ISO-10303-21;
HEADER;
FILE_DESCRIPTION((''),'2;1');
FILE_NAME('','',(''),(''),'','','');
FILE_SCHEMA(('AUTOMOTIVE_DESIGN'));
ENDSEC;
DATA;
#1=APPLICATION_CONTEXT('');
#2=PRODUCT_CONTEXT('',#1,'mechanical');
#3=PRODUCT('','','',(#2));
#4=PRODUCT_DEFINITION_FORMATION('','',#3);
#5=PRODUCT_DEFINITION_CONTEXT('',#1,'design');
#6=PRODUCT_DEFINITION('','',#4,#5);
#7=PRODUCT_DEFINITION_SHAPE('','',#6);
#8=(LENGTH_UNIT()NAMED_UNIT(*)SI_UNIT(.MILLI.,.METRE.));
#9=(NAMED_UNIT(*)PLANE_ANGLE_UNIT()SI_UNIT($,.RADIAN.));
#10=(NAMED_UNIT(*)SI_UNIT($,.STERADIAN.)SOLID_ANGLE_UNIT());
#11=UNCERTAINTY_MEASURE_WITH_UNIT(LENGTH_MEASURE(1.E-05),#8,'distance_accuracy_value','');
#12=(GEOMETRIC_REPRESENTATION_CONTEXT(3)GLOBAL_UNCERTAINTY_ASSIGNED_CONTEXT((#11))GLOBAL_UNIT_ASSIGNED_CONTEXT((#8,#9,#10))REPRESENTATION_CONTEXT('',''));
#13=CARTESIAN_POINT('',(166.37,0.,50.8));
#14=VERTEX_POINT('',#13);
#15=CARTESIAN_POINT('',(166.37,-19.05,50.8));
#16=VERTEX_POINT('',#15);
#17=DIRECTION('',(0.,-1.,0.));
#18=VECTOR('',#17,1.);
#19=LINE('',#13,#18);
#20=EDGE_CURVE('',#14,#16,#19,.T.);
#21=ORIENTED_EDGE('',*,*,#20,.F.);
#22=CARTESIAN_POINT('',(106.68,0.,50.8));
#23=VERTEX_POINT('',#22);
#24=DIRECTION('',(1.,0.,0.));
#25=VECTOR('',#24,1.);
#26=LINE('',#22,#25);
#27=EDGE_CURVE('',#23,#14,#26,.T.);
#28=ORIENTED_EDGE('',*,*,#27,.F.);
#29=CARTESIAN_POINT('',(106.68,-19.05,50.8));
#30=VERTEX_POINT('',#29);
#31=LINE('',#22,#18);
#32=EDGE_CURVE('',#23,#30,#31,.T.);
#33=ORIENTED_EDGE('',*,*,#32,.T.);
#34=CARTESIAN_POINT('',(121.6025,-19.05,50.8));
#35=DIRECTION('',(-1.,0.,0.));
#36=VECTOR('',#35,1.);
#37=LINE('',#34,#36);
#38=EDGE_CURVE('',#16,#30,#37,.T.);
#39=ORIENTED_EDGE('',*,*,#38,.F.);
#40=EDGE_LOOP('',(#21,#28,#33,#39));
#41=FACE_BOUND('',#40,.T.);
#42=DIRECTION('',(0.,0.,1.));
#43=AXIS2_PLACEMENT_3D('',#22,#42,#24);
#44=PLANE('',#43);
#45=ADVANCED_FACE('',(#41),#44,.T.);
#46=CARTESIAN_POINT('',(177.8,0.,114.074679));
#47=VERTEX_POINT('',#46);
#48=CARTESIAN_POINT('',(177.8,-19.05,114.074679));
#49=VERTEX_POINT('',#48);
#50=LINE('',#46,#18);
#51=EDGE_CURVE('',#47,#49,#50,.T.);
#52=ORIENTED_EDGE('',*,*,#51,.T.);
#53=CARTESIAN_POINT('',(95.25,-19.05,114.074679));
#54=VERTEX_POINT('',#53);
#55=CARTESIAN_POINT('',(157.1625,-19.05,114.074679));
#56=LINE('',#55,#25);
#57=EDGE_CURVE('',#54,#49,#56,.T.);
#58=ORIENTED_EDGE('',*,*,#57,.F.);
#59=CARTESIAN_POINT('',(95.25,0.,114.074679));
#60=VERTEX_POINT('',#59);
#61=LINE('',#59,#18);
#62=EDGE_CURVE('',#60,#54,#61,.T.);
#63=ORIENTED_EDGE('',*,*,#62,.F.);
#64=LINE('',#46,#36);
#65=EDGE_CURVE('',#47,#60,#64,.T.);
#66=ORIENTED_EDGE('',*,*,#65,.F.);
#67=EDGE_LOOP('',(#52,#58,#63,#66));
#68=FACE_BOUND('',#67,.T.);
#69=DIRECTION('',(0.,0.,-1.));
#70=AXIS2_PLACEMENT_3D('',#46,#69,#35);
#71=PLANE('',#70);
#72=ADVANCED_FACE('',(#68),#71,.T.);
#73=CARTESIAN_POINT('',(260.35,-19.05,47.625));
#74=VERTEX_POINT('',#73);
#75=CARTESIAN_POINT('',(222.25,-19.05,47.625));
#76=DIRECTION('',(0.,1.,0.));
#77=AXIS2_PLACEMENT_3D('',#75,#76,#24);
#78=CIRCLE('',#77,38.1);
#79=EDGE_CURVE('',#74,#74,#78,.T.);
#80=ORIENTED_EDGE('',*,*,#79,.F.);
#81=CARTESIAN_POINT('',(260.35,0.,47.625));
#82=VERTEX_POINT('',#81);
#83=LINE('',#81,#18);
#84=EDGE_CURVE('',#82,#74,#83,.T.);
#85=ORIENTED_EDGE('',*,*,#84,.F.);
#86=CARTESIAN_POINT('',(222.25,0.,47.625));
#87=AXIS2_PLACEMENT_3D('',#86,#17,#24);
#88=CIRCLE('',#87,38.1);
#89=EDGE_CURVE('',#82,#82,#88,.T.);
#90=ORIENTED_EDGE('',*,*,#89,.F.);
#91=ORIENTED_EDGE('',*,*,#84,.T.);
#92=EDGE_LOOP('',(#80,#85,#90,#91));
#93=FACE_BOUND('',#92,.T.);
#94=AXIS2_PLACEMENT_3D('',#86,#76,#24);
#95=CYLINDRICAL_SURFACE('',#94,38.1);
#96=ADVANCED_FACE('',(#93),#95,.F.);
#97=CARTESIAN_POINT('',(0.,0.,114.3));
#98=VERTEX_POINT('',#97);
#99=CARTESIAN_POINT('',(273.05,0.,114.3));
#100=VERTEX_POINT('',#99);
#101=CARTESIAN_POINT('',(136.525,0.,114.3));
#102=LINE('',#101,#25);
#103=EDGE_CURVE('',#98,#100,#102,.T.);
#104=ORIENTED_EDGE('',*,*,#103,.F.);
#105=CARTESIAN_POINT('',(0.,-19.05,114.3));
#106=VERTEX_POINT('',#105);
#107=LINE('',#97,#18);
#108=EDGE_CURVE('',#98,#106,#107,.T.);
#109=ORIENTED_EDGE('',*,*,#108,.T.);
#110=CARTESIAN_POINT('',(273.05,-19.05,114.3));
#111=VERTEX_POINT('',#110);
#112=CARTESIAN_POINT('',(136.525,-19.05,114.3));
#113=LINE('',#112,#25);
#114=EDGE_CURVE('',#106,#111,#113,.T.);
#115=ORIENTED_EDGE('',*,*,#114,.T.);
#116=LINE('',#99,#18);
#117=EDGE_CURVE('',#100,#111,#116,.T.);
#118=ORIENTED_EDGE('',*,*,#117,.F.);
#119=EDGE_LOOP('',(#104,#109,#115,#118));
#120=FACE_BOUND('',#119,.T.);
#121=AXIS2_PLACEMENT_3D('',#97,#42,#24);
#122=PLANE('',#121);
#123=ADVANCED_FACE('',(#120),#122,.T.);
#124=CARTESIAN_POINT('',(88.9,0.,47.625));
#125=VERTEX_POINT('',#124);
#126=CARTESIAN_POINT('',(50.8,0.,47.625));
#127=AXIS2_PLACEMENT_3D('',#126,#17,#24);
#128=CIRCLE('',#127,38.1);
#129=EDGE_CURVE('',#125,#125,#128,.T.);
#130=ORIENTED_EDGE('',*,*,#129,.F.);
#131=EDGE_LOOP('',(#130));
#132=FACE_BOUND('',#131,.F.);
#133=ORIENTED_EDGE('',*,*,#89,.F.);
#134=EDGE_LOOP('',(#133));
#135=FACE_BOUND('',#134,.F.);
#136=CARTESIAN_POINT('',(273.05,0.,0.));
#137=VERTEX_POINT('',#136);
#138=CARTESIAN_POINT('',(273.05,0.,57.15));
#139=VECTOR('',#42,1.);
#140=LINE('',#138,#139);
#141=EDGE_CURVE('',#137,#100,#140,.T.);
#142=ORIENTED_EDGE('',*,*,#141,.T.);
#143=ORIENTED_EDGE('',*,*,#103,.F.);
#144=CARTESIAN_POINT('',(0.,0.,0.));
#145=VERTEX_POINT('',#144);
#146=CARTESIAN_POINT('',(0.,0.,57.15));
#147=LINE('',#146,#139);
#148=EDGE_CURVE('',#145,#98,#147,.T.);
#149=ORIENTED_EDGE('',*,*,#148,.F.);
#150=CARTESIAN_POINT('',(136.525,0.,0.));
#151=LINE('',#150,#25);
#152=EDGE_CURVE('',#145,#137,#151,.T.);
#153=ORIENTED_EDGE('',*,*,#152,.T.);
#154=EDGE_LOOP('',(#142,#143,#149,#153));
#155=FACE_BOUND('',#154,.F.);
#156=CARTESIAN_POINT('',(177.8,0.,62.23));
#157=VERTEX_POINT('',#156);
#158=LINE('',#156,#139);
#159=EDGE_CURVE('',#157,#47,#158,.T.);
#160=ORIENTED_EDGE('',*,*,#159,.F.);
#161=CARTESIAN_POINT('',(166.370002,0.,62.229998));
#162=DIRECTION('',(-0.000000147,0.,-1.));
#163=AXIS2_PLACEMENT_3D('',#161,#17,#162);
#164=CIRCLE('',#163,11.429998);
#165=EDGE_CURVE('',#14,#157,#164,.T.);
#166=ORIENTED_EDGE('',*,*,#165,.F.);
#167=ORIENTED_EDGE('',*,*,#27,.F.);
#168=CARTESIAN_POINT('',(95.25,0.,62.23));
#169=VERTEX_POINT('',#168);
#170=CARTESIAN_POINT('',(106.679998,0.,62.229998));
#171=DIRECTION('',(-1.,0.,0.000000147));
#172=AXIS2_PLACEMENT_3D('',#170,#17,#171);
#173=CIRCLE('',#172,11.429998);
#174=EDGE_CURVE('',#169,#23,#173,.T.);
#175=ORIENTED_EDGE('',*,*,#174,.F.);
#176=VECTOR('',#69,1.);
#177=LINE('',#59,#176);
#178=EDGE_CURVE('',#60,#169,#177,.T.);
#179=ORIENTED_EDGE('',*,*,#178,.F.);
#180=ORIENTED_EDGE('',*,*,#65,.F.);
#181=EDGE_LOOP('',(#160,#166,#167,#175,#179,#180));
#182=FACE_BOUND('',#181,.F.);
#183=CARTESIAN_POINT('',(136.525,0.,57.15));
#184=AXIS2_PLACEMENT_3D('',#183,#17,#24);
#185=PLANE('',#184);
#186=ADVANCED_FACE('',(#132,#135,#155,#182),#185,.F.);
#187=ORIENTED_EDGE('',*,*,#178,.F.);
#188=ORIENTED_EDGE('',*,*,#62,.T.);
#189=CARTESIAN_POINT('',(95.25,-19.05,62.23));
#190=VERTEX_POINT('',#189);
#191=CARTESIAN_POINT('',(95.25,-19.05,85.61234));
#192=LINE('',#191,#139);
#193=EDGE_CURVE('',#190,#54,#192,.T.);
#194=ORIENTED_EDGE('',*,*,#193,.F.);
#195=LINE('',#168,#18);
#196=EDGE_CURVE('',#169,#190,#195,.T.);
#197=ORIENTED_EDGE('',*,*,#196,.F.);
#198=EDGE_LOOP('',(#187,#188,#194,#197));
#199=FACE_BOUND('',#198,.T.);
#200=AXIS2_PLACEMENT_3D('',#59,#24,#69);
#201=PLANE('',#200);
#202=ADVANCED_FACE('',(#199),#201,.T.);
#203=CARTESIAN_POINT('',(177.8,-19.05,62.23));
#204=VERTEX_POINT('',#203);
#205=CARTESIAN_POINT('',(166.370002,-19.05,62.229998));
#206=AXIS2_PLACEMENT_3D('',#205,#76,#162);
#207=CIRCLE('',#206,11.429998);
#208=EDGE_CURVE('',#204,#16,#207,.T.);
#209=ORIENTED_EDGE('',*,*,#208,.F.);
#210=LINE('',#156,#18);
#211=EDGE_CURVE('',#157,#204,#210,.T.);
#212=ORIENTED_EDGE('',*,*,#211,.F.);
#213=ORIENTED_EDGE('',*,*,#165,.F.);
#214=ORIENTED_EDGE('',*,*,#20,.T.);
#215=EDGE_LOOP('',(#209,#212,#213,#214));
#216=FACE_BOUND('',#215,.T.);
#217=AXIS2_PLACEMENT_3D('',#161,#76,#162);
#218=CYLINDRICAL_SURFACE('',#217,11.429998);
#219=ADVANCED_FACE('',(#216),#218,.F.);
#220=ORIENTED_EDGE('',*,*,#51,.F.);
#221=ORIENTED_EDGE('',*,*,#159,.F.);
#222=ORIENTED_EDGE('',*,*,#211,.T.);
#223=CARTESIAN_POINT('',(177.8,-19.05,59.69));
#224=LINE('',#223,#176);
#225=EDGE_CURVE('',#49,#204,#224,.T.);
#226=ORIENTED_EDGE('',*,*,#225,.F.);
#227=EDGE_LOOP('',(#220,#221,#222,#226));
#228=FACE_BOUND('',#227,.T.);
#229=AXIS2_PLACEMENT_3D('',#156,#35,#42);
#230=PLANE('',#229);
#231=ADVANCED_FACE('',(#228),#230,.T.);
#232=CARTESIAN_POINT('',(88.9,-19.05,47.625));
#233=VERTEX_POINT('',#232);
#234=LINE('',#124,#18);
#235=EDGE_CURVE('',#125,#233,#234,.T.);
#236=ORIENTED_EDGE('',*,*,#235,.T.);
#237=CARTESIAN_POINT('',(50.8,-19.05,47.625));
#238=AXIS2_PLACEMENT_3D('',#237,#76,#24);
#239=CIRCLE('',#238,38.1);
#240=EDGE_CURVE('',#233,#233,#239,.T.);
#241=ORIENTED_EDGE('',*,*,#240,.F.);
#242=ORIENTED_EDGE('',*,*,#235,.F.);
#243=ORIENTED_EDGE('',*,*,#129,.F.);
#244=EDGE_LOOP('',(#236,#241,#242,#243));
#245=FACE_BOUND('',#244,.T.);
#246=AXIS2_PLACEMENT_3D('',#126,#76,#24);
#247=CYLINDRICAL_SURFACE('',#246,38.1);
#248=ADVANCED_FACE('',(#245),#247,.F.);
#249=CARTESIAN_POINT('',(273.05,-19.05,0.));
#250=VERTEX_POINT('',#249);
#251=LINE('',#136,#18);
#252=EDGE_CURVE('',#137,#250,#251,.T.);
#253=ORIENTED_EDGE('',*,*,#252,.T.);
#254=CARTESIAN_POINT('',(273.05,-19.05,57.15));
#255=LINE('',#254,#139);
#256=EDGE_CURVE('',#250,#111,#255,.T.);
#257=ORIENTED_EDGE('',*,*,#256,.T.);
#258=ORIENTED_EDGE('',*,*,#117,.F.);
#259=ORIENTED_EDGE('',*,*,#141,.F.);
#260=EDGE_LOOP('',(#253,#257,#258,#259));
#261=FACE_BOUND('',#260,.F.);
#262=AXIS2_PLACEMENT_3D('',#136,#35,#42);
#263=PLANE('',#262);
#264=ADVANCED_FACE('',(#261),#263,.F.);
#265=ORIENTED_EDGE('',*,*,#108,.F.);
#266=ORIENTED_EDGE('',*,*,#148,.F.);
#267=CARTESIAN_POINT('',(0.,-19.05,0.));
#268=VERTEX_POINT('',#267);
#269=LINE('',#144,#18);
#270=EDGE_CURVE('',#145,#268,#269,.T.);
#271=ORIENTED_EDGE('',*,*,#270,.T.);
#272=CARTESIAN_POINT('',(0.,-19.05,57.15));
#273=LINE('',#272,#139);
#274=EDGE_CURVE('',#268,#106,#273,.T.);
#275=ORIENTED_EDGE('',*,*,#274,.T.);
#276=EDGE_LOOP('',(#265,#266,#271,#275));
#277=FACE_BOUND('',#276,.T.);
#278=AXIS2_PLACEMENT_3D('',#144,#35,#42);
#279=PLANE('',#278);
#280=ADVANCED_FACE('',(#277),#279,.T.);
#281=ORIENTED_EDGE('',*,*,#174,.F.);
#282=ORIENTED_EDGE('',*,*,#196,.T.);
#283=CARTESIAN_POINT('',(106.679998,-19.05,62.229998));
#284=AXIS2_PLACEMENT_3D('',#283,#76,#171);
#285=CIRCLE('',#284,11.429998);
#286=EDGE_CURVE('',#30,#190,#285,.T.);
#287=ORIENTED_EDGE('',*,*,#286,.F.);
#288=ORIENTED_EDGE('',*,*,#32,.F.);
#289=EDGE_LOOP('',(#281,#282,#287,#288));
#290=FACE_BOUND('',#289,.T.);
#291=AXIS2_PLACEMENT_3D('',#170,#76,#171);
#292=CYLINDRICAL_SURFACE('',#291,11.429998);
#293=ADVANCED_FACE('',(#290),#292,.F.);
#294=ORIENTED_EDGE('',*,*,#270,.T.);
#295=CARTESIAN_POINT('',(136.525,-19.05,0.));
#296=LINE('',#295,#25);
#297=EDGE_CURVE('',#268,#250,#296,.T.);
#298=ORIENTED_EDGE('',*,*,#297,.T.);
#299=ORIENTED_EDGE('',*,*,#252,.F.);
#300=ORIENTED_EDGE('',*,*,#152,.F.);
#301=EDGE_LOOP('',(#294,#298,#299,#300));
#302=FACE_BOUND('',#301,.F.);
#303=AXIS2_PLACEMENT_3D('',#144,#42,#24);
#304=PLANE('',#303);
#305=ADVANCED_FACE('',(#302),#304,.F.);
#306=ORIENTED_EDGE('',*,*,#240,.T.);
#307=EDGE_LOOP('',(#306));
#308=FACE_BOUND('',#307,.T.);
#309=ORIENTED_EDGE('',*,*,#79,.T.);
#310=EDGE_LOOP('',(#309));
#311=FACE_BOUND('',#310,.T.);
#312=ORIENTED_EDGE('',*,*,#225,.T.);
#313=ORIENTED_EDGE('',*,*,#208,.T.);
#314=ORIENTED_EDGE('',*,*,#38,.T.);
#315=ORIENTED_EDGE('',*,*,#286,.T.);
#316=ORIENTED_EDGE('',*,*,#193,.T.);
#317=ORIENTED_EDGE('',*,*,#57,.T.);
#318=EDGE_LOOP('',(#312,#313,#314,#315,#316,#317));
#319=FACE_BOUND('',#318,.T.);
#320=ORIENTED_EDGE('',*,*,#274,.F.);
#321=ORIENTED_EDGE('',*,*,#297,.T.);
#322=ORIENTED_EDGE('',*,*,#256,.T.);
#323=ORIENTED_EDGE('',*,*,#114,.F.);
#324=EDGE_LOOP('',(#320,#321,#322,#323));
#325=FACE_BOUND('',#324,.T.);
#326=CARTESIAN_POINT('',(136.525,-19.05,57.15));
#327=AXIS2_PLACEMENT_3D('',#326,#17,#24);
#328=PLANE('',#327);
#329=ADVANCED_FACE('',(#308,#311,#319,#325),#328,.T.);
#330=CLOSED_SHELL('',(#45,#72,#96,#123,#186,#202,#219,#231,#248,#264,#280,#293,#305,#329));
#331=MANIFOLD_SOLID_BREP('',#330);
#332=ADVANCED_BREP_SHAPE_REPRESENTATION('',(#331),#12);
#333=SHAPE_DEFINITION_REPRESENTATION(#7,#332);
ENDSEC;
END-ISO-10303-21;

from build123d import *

# Parameters (mm, degrees)
F0_W     = 273.05
F0_H     = 114.3
F1_DEPTH = 19.05
F2_R     = 38.1
F3_DEPTH = 25.4
F5_DEPTH = 25.4
F6_DEPTH = 25.4
F7_DEPTH = 25.4


with BuildPart() as f1:
    # F0 (on Front) → F1 (new body)
    with BuildSketch(Plane.XZ):
        with Locations((136.525, 57.15)):
            Rectangle(F0_W, F0_H)
    extrude(amount=F1_DEPTH)

    # F2 (on Front) → F3 (cut)
    with BuildSketch(Plane.XZ):
        with Locations((50.8, 47.625)):
            Circle(F2_R)
        with Locations((222.25, 47.625)):
            Circle(F2_R)
    extrude(amount=F3_DEPTH, mode=Mode.SUBTRACT)

    # F4 (on Front) → F5 (cut)
    with BuildSketch(Plane.XZ):
        with BuildLine():
            Line((177.8, 114.074679), (95.25, 114.074679))
            Line((95.25, 114.074679), (95.25, 62.23))
            ThreePointArc((95.25, 62.23), (98.597769, 54.147769), (106.68, 50.8))
            Line((106.68, 50.8), (166.37, 50.8))
            ThreePointArc((166.37, 50.8), (174.452231, 54.147769), (177.8, 62.23))
            Line((177.8, 62.23), (177.8, 114.074679))
        make_face()
    extrude(amount=-F5_DEPTH, mode=Mode.SUBTRACT)

    # F4 (on Front) → F6 (cut)
    with BuildSketch(Plane.XZ):
        with BuildLine():
            Line((177.8, 114.074679), (95.25, 114.074679))
            Line((95.25, 114.074679), (95.25, 62.23))
            ThreePointArc((95.25, 62.23), (98.597769, 54.147769), (106.68, 50.8))
            Line((106.68, 50.8), (166.37, 50.8))
            ThreePointArc((166.37, 50.8), (174.452231, 54.147769), (177.8, 62.23))
            Line((177.8, 62.23), (177.8, 114.074679))
        make_face()
    extrude(amount=F6_DEPTH, mode=Mode.SUBTRACT)

    # F4 (on Front) → F7 (cut)
    with BuildSketch(Plane.XZ):
        with BuildLine():
            Line((177.8, 114.074679), (95.25, 114.074679))
            Line((95.25, 114.074679), (95.25, 62.23))
            ThreePointArc((95.25, 62.23), (98.597769, 54.147769), (106.68, 50.8))
            Line((106.68, 50.8), (166.37, 50.8))
            ThreePointArc((166.37, 50.8), (174.452231, 54.147769), (177.8, 62.23))
            Line((177.8, 62.23), (177.8, 114.074679))
        make_face()
    extrude(amount=-F7_DEPTH, mode=Mode.SUBTRACT)


solid = f1.part
